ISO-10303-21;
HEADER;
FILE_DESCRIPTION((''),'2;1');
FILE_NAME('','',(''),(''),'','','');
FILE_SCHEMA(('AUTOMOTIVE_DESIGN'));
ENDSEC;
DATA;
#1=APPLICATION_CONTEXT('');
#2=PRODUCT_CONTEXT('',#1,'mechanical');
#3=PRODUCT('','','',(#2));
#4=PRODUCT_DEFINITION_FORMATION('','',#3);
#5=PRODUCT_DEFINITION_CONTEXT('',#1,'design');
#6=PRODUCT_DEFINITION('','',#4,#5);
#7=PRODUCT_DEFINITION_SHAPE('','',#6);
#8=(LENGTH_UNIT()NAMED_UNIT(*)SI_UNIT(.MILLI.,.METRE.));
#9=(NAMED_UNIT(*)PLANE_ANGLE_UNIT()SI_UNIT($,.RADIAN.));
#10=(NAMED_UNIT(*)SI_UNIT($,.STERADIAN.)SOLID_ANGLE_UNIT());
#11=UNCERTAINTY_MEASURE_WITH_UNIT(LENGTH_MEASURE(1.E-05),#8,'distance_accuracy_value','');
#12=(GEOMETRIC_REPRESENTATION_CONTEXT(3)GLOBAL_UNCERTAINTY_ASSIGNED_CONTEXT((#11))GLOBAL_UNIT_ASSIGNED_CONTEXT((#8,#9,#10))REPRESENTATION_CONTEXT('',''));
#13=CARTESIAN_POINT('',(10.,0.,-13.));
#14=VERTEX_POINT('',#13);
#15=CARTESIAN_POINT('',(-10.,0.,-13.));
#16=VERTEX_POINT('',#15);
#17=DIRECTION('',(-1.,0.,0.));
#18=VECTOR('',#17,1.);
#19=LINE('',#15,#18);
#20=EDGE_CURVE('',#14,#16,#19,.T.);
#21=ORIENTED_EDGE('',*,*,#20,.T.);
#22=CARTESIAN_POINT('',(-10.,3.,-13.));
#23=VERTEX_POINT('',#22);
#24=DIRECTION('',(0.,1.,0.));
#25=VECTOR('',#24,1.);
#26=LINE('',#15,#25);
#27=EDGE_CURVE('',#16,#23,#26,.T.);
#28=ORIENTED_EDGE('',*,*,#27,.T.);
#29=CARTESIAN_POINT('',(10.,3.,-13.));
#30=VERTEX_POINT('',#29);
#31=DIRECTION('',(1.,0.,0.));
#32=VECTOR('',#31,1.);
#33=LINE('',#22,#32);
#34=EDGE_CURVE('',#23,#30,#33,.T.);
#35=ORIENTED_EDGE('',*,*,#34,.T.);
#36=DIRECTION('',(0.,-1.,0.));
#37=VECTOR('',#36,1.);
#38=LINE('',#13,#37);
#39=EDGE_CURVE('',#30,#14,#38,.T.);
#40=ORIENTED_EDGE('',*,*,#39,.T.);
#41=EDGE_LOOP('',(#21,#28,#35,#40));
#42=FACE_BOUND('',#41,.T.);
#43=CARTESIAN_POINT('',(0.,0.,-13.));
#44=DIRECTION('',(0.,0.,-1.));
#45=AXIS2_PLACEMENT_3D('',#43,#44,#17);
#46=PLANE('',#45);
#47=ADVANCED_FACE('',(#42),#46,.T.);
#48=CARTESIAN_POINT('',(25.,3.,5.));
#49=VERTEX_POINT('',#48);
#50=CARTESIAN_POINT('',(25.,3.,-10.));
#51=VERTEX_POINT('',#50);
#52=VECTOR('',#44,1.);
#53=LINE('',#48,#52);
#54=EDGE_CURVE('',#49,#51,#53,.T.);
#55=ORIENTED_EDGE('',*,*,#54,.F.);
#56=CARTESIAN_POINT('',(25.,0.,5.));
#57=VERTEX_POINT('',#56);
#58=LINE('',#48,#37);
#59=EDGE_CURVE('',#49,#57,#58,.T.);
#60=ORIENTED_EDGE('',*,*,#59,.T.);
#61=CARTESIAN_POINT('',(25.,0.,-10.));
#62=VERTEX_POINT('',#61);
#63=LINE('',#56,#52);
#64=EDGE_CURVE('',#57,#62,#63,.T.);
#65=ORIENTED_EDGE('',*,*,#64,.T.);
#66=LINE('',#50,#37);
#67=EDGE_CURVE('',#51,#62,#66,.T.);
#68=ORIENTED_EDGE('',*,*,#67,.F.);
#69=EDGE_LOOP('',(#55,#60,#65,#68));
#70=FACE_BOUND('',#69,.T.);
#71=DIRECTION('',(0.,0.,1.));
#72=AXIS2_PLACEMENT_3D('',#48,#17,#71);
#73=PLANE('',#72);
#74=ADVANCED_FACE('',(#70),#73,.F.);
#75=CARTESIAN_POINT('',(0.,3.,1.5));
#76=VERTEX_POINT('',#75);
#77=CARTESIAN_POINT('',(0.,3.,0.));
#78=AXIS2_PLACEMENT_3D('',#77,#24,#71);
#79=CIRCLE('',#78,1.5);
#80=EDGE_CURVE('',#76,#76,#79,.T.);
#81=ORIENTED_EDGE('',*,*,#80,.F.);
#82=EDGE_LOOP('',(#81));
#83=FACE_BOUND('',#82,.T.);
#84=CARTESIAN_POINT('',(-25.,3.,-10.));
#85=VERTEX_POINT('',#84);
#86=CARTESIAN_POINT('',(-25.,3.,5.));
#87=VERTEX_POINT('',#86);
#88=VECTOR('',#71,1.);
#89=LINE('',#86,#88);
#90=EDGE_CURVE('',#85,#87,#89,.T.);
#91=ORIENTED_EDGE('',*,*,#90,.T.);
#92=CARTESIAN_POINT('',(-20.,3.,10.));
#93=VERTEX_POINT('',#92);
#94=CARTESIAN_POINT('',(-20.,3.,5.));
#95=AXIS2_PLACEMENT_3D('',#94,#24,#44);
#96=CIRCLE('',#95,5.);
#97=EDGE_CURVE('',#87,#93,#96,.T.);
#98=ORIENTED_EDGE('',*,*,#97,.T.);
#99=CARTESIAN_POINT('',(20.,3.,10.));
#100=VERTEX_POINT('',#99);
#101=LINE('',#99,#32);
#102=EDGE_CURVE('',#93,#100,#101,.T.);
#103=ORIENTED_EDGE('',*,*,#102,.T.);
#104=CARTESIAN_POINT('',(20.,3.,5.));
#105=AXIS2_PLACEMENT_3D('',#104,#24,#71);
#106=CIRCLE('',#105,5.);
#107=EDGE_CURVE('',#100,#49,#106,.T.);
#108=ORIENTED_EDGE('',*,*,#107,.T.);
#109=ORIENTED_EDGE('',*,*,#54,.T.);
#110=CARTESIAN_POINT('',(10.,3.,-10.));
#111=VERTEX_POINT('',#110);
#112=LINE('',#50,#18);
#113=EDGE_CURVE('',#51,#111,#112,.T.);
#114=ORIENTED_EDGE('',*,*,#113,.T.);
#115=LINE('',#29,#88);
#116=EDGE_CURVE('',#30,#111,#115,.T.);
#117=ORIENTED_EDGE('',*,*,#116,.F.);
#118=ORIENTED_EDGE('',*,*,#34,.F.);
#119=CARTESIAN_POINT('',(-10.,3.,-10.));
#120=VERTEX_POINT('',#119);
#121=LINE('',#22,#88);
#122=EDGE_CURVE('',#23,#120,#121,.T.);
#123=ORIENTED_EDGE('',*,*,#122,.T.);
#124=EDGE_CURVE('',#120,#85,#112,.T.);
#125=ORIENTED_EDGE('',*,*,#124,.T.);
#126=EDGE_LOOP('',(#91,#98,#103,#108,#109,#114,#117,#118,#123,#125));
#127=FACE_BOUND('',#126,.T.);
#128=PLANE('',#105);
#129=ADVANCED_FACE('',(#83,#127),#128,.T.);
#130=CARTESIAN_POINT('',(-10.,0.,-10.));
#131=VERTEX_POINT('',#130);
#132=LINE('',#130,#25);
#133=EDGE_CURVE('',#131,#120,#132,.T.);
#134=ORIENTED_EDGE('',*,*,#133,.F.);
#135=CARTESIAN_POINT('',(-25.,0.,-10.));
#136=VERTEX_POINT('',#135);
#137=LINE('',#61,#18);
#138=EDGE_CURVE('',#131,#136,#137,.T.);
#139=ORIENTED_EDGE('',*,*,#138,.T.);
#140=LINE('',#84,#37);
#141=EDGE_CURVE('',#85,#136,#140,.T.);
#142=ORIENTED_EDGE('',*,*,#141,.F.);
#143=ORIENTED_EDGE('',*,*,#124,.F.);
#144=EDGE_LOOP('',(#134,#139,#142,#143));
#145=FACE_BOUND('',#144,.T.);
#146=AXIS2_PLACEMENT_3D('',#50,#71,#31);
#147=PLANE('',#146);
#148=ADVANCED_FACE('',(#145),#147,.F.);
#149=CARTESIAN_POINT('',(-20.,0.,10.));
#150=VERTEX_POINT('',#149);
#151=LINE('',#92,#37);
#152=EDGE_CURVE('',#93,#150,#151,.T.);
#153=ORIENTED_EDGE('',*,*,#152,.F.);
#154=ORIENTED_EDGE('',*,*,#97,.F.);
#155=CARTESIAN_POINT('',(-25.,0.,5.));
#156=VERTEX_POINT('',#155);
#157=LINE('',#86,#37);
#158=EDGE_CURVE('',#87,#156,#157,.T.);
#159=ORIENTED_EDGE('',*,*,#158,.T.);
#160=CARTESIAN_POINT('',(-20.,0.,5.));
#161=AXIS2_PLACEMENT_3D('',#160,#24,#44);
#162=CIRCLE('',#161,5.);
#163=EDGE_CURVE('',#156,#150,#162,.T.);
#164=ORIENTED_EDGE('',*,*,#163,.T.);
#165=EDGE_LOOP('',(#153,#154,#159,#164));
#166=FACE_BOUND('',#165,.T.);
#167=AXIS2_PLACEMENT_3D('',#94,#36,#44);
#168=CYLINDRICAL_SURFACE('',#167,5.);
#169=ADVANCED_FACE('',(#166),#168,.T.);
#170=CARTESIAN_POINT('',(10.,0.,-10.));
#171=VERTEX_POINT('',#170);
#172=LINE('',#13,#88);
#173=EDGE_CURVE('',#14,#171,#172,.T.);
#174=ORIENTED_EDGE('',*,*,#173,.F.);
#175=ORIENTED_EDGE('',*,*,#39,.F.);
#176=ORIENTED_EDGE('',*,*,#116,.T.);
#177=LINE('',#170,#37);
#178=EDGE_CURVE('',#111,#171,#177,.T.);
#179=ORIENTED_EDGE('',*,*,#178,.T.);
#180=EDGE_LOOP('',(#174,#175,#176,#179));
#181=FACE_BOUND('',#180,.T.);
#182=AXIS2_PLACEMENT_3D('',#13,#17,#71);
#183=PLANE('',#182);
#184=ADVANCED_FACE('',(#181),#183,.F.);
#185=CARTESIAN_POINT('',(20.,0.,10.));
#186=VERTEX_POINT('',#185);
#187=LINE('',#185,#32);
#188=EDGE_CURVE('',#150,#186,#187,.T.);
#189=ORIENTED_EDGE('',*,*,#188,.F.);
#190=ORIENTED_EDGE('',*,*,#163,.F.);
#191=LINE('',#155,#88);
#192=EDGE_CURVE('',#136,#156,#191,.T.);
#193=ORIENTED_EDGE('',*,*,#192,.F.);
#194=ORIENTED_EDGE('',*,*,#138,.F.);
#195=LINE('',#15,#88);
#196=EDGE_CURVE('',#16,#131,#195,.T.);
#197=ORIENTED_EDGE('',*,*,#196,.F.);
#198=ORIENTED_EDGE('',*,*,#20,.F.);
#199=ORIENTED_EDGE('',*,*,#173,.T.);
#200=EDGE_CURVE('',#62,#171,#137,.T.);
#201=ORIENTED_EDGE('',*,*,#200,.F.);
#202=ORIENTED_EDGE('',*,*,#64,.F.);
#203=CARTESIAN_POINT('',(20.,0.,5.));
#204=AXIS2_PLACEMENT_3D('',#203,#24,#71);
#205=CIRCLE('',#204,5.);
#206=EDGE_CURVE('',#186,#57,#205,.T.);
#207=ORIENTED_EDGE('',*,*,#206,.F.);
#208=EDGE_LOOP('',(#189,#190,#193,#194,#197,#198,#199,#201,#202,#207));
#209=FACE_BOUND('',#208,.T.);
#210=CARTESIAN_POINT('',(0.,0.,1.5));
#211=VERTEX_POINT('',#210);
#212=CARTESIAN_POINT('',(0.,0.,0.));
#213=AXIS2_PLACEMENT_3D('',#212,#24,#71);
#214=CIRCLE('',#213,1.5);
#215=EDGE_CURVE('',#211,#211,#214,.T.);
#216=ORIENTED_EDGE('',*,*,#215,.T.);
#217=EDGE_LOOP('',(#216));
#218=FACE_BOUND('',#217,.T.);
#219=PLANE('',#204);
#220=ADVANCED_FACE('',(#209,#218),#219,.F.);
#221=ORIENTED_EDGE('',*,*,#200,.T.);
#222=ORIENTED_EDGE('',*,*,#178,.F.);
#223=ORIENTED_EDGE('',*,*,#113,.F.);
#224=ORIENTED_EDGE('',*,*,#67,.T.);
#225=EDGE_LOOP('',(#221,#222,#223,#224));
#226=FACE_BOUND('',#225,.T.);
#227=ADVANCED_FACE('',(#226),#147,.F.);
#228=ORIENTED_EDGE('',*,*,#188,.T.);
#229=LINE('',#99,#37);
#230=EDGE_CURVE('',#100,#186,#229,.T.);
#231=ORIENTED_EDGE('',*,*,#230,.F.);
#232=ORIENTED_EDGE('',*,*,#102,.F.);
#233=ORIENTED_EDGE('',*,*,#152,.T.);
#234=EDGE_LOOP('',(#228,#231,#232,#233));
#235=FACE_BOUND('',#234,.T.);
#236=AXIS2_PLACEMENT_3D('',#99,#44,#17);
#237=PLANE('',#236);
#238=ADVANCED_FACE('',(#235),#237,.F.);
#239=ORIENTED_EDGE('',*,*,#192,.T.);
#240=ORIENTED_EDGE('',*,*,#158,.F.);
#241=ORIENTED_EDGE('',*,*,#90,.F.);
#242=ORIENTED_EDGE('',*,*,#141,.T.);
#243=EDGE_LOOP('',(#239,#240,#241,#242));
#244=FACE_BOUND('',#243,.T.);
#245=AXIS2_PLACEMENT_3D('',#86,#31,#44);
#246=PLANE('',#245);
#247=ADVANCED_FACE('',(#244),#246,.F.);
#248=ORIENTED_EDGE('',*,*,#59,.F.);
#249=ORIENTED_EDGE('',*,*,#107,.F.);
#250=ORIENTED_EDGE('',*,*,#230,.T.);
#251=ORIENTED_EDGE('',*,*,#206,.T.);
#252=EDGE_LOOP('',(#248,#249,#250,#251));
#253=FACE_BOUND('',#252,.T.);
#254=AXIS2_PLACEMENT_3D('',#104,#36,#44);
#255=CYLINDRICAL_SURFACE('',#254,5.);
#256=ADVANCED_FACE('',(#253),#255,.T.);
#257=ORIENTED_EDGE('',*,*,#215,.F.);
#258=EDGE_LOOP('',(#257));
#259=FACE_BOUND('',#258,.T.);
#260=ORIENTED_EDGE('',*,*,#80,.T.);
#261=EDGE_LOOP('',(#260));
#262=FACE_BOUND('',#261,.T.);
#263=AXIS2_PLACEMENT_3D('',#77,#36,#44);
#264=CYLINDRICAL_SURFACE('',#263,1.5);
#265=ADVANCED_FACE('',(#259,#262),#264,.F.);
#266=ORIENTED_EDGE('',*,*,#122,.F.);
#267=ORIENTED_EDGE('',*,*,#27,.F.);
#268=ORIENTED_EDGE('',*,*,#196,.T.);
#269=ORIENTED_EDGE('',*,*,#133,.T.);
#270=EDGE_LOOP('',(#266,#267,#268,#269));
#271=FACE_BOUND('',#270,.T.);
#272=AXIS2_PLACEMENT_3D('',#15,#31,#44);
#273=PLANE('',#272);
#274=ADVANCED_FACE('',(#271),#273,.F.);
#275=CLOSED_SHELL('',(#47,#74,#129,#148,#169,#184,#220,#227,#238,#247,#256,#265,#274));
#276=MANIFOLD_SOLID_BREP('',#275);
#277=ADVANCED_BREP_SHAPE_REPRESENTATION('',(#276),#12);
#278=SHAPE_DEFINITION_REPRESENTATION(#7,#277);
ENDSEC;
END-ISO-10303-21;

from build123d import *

# Parameters (mm, degrees)
CROQUIS1_R              = 1.5
SALIENTE_EXTRUIR1_DEPTH = 3
CROQUIS2_W              = 20
CROQUIS2_H              = 3
SALIENTE_EXTRUIR2_DEPTH = 3


with BuildPart() as part:
    # Croquis1 → Saliente-Extruir1 (new body)
    with BuildSketch(Plane(origin=(0, 0, 0), x_dir=(1, 0, 0), z_dir=(0, 1, 0))):
        with BuildLine():
            Line((20, -10), (-20, -10))
            ThreePointArc((-20, -10), (-23.535533906, -8.535533906), (-25, -5))
            Line((-25, -5), (-25, 10))
            Line((-25, 10), (25, 10))
            Line((25, 10), (25, -5))
            ThreePointArc((25, -5), (23.535533906, -8.535533906), (20, -10))
        make_face()
        with Locations(Location((0, 0, 0), (0, 0, 270))):
            Circle(CROQUIS1_R, mode=Mode.SUBTRACT)
    extrude(amount=SALIENTE_EXTRUIR1_DEPTH)

    # Croquis2 → Saliente-Extruir2 (add)
    with BuildSketch(Plane(origin=(0, 0, -10), x_dir=(-1, 0, 0), z_dir=(0, 0, -1))):
        with Locations((0, 1.5)):
            Rectangle(CROQUIS2_W, CROQUIS2_H)
    extrude(amount=SALIENTE_EXTRUIR2_DEPTH)


solid = part.part
